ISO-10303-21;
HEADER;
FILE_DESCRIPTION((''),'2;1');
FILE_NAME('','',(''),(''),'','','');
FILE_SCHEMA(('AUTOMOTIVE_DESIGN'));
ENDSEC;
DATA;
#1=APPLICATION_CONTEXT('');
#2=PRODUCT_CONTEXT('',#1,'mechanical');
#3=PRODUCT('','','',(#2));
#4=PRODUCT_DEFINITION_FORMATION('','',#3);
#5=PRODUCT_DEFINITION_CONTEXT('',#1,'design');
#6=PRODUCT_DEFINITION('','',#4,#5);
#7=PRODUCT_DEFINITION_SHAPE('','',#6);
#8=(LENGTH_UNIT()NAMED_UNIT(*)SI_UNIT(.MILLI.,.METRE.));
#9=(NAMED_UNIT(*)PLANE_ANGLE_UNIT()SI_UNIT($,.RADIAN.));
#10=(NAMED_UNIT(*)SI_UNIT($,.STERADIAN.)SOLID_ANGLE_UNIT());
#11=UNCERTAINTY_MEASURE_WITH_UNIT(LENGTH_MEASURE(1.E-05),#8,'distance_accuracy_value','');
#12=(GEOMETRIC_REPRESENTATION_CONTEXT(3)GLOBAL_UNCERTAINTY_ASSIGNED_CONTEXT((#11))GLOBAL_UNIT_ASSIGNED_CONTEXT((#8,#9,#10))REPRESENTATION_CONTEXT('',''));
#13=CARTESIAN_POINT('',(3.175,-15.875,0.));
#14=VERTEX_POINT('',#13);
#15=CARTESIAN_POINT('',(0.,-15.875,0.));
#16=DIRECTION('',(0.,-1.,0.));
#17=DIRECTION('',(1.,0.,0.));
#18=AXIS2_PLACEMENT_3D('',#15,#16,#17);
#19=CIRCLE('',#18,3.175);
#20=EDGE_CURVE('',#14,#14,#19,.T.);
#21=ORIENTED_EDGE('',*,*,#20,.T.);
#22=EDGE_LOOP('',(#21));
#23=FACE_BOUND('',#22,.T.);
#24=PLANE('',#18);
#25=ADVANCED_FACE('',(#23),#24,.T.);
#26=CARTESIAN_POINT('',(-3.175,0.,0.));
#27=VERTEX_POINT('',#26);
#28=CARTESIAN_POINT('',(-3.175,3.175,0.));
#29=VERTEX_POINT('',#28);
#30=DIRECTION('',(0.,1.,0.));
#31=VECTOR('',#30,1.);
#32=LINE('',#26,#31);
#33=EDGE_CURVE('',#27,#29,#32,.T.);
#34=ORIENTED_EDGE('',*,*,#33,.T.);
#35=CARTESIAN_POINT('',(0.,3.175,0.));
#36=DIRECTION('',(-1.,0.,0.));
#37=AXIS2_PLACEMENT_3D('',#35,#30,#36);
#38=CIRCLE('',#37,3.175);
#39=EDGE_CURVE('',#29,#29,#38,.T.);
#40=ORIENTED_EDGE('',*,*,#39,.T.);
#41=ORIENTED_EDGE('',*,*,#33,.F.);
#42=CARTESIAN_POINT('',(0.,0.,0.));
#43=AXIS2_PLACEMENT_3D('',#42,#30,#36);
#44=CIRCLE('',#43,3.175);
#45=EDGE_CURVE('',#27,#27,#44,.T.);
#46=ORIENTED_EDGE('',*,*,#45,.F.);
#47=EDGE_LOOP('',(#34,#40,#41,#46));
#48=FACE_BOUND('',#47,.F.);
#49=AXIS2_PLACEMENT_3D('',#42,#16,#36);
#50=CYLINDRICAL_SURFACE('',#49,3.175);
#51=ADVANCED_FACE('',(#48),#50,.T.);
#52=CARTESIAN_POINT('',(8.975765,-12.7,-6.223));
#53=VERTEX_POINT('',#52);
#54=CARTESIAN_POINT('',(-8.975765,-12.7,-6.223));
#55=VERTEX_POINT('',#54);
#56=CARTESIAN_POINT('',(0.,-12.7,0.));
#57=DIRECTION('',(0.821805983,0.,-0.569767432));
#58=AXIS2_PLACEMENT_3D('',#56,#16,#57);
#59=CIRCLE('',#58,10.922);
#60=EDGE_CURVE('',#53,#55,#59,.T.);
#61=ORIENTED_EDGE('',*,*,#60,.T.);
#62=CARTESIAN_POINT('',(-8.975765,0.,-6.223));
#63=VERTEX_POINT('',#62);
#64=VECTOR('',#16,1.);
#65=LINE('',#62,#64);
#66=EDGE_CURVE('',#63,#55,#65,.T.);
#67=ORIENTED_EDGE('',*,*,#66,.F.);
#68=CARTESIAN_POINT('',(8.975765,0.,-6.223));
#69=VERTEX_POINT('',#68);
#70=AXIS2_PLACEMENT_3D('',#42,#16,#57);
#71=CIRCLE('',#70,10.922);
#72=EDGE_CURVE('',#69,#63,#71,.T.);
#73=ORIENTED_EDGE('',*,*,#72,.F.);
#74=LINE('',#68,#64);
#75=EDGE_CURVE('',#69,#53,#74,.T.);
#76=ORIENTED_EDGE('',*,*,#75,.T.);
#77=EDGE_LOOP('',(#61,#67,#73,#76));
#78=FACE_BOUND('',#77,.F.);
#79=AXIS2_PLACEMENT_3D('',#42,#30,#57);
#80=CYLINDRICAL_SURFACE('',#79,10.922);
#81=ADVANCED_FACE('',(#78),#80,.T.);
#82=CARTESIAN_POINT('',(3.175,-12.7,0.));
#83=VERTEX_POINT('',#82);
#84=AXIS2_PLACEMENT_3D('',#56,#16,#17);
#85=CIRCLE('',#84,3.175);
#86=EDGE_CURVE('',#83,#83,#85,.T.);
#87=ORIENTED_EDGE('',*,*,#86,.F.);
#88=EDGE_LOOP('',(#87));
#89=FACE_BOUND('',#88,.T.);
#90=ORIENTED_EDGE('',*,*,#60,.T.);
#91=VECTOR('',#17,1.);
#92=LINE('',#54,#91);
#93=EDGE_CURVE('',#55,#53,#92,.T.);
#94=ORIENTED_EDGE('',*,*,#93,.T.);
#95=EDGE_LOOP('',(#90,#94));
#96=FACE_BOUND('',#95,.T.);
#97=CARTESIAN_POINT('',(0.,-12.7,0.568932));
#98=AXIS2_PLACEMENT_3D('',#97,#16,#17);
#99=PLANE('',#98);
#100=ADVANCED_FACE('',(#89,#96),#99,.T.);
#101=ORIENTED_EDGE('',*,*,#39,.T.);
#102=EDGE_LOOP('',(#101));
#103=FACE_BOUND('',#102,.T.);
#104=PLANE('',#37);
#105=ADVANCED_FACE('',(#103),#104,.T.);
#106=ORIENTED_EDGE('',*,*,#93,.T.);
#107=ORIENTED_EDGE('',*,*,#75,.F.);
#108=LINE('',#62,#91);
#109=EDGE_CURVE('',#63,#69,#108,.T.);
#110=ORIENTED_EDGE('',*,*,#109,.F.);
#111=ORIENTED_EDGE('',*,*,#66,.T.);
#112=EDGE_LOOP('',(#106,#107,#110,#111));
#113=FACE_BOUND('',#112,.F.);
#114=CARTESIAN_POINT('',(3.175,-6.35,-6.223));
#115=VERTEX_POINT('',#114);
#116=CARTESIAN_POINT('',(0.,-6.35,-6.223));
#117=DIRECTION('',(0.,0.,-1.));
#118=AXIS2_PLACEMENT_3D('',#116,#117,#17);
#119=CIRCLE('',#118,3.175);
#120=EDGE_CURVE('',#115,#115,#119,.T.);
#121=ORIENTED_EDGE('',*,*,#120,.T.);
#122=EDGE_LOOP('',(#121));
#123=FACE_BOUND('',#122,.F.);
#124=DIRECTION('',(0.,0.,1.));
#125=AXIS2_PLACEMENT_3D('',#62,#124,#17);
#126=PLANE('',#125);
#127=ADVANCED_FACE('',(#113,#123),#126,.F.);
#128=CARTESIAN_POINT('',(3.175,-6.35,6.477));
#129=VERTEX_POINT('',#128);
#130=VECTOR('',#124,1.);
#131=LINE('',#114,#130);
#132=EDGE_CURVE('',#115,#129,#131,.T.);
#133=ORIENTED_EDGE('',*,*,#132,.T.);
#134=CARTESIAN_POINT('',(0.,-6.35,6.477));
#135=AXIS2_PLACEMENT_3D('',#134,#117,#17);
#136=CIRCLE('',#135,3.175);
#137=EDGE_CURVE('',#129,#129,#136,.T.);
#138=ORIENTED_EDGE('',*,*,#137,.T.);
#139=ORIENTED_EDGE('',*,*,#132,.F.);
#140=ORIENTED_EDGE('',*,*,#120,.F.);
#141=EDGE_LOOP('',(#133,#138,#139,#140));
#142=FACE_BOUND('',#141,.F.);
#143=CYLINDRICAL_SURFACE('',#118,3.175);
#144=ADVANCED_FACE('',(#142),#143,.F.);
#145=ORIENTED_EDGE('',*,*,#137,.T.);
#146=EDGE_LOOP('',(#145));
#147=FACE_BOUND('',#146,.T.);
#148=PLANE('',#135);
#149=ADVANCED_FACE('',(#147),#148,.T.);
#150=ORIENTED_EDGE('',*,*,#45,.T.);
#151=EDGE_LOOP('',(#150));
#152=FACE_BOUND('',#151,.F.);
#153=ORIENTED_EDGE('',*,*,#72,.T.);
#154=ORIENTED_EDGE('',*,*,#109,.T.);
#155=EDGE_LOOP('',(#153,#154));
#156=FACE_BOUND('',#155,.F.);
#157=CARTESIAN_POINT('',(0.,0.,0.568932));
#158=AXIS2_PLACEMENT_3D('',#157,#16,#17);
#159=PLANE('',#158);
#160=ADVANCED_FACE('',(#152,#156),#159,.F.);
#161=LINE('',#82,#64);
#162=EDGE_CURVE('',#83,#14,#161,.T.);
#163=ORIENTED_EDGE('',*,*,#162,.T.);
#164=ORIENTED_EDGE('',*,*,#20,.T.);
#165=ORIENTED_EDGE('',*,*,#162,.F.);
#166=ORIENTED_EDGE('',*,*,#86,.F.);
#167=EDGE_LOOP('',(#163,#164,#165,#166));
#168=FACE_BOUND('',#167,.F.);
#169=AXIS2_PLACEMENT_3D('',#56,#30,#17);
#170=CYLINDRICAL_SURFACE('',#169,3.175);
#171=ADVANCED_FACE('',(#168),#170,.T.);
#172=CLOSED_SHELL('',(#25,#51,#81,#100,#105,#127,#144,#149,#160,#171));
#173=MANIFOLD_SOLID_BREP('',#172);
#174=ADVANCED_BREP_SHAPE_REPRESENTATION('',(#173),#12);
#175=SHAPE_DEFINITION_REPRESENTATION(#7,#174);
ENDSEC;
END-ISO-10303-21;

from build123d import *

# Parameters (mm, degrees)
F1_DEPTH = 12.7
F2_R     = 3.175
F3_DEPTH = 3.175
F4_R     = 3.175
F5_DEPTH = 3.175
F6_R     = 3.175
F7_DEPTH = 12.7


with BuildPart() as f1:
    # F0 (on Front) → F1 (new body)
    with BuildSketch(Plane.XZ):
        with BuildLine():
            Line((-8.975765, -6.223), (8.975765, -6.223))
            ThreePointArc((8.975765, -6.223), (0, 10.922), (-8.975765, -6.223))
        make_face()
    extrude(amount=F1_DEPTH)

    # F2 (on face) → F3 (join)
    with BuildSketch(Plane.XZ.offset(12.7)):
        Circle(F2_R)
    extrude(amount=F3_DEPTH)

    # F4 (on face) → F5 (join)
    with BuildSketch(Plane(origin=(0, 0, 0), x_dir=(-1, 0, 0), z_dir=(0, 1, 0))):
        Circle(F4_R)
    extrude(amount=F5_DEPTH)

    # F6 (on face) → F7 (cut)
    with BuildSketch(Plane(origin=(0, 0, -6.223), x_dir=(1, 0, 0), z_dir=(0, 0, -1))):
        with Locations((0, 6.35)):
            Circle(F6_R)
    extrude(amount=-F7_DEPTH, mode=Mode.SUBTRACT)


solid = f1.part
